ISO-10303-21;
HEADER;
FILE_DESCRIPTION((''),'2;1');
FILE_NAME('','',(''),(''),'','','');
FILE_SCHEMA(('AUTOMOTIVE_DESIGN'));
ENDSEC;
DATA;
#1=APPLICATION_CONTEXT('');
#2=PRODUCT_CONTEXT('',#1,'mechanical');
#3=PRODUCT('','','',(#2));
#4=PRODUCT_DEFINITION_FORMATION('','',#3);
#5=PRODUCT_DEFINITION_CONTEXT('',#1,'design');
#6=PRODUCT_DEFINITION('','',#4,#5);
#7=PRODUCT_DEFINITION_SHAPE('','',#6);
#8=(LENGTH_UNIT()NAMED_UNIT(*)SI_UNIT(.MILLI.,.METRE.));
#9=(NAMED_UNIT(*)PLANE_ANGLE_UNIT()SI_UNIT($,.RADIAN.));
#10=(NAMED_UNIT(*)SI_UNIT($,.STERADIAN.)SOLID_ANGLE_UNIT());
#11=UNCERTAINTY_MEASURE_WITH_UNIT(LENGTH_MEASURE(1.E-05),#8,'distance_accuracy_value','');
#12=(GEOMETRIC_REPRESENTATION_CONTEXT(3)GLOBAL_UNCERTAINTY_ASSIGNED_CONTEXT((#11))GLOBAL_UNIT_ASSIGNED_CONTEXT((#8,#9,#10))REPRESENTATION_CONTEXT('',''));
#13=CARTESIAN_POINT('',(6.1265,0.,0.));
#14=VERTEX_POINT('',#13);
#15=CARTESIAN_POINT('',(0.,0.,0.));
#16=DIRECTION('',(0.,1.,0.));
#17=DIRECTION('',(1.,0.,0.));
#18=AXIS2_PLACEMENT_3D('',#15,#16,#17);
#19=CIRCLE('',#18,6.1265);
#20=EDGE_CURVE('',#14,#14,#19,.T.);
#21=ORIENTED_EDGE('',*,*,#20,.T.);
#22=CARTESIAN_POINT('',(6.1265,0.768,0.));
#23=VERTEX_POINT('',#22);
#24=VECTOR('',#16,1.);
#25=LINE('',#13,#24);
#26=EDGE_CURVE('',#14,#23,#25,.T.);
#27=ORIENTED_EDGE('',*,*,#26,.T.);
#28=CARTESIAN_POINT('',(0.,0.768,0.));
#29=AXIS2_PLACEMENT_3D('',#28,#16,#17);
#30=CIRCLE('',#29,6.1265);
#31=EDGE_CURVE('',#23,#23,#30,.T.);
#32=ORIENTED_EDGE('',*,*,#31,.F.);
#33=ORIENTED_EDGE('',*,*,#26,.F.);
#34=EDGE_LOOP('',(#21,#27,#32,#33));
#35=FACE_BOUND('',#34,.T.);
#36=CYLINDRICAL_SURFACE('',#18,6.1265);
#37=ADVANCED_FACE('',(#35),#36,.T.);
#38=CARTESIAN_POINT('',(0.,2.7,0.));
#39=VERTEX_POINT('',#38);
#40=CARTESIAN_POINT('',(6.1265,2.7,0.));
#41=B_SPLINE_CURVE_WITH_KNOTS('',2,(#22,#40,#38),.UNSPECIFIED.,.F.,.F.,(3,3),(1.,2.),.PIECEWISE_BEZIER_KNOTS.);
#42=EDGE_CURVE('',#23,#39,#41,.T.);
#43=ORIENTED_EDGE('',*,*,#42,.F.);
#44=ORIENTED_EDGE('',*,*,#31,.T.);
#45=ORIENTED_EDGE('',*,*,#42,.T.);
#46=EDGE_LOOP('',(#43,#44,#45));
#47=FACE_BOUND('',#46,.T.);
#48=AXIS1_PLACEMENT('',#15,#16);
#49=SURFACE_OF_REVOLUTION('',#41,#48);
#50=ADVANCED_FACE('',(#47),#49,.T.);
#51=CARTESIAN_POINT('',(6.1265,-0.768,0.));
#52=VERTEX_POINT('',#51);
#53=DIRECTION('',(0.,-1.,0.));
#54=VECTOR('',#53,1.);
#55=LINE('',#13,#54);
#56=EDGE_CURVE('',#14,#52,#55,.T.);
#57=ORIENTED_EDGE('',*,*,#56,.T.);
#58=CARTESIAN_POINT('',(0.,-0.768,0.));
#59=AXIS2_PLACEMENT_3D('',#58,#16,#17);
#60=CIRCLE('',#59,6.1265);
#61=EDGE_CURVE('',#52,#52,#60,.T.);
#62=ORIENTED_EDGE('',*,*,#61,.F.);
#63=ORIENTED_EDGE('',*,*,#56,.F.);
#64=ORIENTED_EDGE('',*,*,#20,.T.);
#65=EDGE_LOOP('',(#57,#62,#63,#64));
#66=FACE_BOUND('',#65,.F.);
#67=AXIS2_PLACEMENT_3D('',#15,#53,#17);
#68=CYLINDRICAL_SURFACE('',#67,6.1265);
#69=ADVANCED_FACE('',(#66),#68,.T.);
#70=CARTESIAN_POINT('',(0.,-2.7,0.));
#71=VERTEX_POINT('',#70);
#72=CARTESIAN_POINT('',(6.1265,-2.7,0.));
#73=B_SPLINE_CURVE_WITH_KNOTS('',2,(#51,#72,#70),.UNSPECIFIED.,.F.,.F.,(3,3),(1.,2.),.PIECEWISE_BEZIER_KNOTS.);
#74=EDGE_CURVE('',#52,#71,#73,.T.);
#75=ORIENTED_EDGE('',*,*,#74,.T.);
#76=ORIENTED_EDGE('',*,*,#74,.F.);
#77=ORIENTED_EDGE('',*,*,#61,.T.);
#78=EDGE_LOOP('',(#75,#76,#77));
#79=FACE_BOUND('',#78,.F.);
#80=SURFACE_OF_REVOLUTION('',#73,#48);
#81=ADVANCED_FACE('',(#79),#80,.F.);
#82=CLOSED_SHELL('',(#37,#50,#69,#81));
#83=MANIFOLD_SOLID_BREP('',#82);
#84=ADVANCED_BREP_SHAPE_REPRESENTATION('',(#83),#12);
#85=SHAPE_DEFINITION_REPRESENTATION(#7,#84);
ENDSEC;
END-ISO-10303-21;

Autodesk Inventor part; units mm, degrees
ref_plane "YZ Plane" through (0, 0, 0) normal (1, 0, 0) x (0, 1, 0)
ref_plane "XZ Plane" through (0, 0, 0) normal (0, 1, 0) x (-1, 0, 0)
ref_plane "XY Plane" through (0, 0, 0) normal (0, 0, 1) x (1, 0, 0)
sketch "Sketch1" plane through (0, 0, 0) normal (0, 1, 0) x (-1, 0, 0)
  circle A0 centre (0, 0) radius 6.1
  dimension "d0" = 12.2
sketch "Sketch2" plane through (0, 0, 0) normal (0, 0, 1) x (1, 0, 0)
  line L0 (0, 0) -> (0, 2.7)
  line L1 (0, 0) -> (0, -2.7)
  line L2 (0, 0) -> (6.1265, 0)
  line L3 (6.1265, 0) -> (6.1265, 2.7)
  line L4 (6.1265, 2.7) -> (0, 2.7)
  line L5 (6.1265, 0.768) -> (6.1265, 2.7) construction
  line L6 (6.1265, 2.7) -> (0, 2.7) construction
  spline S0 degree 2 poles (6.1265, 0.768) (6.1265, 2.7) (0, 2.7) knots 1 1 1 2 2 2
  dimension "d1" = 2.7
  dimension "d2" = 2.7
revolve "Revolution1" add sketch "Sketch2" angle 360 about axis through (0, 0, 0) along (0, 1, 0) contours L0 S0 L3 L2
mirror "Mirror1" about plane through (0, 0, 0) normal (0, -1, 0) of "Revolution1"
properties part number "pillen"
